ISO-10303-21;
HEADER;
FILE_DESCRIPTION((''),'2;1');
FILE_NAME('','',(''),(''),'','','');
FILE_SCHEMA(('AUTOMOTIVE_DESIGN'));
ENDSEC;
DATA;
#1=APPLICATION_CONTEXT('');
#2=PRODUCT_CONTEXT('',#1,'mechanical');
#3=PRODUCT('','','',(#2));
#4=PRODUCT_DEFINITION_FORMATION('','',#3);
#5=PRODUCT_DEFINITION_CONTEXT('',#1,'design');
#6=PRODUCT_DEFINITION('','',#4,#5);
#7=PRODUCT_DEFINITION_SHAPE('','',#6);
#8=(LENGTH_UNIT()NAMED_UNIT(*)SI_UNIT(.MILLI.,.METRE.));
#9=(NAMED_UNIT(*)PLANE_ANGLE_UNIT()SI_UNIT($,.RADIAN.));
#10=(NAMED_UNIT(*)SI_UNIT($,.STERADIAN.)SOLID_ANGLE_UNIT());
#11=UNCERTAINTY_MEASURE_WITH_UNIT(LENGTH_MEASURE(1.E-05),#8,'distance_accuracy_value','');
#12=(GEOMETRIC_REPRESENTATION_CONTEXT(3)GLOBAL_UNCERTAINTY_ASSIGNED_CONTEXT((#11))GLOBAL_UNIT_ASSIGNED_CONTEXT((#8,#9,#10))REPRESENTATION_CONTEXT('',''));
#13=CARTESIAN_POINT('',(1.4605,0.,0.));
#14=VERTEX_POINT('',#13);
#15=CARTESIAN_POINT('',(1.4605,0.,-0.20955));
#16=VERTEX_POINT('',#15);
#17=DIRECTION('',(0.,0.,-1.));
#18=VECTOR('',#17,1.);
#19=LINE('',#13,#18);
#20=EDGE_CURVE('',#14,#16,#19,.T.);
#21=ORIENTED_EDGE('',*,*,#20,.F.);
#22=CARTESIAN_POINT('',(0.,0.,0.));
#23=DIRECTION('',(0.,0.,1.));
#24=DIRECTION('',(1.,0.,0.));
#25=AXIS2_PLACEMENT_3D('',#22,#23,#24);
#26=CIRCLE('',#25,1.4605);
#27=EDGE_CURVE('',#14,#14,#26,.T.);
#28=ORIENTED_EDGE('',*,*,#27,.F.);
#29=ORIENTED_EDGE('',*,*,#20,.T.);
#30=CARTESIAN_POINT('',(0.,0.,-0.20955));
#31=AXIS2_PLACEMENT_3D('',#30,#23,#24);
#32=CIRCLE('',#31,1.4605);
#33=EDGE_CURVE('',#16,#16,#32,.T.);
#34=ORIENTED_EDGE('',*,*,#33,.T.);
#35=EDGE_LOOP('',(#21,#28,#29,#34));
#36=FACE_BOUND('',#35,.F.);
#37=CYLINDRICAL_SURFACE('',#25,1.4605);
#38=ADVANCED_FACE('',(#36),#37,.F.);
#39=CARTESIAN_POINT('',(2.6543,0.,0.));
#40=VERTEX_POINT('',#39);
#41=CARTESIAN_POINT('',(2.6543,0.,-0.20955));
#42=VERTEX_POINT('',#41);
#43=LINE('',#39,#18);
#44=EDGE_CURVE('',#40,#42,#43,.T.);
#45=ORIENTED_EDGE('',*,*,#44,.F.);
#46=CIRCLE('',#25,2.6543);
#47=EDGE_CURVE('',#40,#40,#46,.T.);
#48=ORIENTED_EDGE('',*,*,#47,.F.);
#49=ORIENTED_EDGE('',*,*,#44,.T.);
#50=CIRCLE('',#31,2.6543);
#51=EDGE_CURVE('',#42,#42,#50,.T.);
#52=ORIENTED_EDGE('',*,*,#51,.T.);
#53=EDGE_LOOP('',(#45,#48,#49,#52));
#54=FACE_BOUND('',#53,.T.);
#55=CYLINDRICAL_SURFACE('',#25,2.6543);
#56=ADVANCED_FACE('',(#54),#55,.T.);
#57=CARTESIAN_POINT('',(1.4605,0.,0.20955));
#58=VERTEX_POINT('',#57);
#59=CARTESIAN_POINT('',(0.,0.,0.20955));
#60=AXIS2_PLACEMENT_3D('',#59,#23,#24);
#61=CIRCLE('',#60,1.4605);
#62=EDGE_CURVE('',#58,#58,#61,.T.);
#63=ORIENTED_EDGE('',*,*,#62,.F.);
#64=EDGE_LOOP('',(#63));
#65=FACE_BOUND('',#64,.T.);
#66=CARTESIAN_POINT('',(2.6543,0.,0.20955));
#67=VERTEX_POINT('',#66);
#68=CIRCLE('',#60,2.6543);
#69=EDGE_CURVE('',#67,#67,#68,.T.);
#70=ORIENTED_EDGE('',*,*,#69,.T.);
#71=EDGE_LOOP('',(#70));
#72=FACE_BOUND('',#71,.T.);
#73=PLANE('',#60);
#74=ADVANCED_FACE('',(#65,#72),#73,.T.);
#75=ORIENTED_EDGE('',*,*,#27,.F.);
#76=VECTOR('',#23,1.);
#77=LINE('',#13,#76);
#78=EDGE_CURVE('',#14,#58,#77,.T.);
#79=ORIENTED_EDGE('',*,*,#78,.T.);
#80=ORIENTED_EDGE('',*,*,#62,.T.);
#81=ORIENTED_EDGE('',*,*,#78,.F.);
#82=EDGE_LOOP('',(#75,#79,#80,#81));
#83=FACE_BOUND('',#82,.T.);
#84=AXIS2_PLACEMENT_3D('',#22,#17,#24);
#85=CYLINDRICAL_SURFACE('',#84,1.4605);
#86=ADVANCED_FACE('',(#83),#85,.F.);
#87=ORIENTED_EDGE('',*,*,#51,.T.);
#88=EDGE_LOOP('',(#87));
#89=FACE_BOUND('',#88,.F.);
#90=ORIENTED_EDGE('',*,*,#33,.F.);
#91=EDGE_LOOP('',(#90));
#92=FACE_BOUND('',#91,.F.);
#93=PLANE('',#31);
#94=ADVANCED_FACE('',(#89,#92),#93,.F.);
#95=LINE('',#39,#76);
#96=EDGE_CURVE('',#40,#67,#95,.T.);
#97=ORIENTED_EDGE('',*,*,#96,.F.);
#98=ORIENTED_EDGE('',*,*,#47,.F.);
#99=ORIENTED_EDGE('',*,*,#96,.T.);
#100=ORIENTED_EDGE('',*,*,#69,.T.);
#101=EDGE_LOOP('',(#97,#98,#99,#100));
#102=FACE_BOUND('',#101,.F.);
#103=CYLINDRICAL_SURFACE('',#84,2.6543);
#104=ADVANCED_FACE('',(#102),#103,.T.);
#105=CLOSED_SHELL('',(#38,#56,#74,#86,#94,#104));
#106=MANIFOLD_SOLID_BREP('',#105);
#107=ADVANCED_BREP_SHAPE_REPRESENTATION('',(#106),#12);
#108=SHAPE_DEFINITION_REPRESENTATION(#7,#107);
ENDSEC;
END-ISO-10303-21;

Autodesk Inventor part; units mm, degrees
ref_plane "YZ Plane" through (0, 0, 0) normal (1, 0, 0) x (0, 1, 0)
ref_plane "XZ Plane" through (0, 0, 0) normal (0, 1, 0) x (-1, 0, 0)
ref_plane "XY Plane" through (0, 0, 0) normal (0, 0, 1) x (1, 0, 0)
sketch "Sketch1" plane through (0, 0, 0) normal (0, 0, 1) x (1, 0, 0)
  circle A0 centre (0, 0) radius 1.4605
  circle A1 centre (0, 0) radius 2.6543
  dimension "d0" = 2.921
  dimension "d1" = 5.3086
extrude "Extrusion1" add sketch "Sketch1" along normal mid plane 0.4191
properties part number "90945A710_NAS620C5L_flat_washer"
